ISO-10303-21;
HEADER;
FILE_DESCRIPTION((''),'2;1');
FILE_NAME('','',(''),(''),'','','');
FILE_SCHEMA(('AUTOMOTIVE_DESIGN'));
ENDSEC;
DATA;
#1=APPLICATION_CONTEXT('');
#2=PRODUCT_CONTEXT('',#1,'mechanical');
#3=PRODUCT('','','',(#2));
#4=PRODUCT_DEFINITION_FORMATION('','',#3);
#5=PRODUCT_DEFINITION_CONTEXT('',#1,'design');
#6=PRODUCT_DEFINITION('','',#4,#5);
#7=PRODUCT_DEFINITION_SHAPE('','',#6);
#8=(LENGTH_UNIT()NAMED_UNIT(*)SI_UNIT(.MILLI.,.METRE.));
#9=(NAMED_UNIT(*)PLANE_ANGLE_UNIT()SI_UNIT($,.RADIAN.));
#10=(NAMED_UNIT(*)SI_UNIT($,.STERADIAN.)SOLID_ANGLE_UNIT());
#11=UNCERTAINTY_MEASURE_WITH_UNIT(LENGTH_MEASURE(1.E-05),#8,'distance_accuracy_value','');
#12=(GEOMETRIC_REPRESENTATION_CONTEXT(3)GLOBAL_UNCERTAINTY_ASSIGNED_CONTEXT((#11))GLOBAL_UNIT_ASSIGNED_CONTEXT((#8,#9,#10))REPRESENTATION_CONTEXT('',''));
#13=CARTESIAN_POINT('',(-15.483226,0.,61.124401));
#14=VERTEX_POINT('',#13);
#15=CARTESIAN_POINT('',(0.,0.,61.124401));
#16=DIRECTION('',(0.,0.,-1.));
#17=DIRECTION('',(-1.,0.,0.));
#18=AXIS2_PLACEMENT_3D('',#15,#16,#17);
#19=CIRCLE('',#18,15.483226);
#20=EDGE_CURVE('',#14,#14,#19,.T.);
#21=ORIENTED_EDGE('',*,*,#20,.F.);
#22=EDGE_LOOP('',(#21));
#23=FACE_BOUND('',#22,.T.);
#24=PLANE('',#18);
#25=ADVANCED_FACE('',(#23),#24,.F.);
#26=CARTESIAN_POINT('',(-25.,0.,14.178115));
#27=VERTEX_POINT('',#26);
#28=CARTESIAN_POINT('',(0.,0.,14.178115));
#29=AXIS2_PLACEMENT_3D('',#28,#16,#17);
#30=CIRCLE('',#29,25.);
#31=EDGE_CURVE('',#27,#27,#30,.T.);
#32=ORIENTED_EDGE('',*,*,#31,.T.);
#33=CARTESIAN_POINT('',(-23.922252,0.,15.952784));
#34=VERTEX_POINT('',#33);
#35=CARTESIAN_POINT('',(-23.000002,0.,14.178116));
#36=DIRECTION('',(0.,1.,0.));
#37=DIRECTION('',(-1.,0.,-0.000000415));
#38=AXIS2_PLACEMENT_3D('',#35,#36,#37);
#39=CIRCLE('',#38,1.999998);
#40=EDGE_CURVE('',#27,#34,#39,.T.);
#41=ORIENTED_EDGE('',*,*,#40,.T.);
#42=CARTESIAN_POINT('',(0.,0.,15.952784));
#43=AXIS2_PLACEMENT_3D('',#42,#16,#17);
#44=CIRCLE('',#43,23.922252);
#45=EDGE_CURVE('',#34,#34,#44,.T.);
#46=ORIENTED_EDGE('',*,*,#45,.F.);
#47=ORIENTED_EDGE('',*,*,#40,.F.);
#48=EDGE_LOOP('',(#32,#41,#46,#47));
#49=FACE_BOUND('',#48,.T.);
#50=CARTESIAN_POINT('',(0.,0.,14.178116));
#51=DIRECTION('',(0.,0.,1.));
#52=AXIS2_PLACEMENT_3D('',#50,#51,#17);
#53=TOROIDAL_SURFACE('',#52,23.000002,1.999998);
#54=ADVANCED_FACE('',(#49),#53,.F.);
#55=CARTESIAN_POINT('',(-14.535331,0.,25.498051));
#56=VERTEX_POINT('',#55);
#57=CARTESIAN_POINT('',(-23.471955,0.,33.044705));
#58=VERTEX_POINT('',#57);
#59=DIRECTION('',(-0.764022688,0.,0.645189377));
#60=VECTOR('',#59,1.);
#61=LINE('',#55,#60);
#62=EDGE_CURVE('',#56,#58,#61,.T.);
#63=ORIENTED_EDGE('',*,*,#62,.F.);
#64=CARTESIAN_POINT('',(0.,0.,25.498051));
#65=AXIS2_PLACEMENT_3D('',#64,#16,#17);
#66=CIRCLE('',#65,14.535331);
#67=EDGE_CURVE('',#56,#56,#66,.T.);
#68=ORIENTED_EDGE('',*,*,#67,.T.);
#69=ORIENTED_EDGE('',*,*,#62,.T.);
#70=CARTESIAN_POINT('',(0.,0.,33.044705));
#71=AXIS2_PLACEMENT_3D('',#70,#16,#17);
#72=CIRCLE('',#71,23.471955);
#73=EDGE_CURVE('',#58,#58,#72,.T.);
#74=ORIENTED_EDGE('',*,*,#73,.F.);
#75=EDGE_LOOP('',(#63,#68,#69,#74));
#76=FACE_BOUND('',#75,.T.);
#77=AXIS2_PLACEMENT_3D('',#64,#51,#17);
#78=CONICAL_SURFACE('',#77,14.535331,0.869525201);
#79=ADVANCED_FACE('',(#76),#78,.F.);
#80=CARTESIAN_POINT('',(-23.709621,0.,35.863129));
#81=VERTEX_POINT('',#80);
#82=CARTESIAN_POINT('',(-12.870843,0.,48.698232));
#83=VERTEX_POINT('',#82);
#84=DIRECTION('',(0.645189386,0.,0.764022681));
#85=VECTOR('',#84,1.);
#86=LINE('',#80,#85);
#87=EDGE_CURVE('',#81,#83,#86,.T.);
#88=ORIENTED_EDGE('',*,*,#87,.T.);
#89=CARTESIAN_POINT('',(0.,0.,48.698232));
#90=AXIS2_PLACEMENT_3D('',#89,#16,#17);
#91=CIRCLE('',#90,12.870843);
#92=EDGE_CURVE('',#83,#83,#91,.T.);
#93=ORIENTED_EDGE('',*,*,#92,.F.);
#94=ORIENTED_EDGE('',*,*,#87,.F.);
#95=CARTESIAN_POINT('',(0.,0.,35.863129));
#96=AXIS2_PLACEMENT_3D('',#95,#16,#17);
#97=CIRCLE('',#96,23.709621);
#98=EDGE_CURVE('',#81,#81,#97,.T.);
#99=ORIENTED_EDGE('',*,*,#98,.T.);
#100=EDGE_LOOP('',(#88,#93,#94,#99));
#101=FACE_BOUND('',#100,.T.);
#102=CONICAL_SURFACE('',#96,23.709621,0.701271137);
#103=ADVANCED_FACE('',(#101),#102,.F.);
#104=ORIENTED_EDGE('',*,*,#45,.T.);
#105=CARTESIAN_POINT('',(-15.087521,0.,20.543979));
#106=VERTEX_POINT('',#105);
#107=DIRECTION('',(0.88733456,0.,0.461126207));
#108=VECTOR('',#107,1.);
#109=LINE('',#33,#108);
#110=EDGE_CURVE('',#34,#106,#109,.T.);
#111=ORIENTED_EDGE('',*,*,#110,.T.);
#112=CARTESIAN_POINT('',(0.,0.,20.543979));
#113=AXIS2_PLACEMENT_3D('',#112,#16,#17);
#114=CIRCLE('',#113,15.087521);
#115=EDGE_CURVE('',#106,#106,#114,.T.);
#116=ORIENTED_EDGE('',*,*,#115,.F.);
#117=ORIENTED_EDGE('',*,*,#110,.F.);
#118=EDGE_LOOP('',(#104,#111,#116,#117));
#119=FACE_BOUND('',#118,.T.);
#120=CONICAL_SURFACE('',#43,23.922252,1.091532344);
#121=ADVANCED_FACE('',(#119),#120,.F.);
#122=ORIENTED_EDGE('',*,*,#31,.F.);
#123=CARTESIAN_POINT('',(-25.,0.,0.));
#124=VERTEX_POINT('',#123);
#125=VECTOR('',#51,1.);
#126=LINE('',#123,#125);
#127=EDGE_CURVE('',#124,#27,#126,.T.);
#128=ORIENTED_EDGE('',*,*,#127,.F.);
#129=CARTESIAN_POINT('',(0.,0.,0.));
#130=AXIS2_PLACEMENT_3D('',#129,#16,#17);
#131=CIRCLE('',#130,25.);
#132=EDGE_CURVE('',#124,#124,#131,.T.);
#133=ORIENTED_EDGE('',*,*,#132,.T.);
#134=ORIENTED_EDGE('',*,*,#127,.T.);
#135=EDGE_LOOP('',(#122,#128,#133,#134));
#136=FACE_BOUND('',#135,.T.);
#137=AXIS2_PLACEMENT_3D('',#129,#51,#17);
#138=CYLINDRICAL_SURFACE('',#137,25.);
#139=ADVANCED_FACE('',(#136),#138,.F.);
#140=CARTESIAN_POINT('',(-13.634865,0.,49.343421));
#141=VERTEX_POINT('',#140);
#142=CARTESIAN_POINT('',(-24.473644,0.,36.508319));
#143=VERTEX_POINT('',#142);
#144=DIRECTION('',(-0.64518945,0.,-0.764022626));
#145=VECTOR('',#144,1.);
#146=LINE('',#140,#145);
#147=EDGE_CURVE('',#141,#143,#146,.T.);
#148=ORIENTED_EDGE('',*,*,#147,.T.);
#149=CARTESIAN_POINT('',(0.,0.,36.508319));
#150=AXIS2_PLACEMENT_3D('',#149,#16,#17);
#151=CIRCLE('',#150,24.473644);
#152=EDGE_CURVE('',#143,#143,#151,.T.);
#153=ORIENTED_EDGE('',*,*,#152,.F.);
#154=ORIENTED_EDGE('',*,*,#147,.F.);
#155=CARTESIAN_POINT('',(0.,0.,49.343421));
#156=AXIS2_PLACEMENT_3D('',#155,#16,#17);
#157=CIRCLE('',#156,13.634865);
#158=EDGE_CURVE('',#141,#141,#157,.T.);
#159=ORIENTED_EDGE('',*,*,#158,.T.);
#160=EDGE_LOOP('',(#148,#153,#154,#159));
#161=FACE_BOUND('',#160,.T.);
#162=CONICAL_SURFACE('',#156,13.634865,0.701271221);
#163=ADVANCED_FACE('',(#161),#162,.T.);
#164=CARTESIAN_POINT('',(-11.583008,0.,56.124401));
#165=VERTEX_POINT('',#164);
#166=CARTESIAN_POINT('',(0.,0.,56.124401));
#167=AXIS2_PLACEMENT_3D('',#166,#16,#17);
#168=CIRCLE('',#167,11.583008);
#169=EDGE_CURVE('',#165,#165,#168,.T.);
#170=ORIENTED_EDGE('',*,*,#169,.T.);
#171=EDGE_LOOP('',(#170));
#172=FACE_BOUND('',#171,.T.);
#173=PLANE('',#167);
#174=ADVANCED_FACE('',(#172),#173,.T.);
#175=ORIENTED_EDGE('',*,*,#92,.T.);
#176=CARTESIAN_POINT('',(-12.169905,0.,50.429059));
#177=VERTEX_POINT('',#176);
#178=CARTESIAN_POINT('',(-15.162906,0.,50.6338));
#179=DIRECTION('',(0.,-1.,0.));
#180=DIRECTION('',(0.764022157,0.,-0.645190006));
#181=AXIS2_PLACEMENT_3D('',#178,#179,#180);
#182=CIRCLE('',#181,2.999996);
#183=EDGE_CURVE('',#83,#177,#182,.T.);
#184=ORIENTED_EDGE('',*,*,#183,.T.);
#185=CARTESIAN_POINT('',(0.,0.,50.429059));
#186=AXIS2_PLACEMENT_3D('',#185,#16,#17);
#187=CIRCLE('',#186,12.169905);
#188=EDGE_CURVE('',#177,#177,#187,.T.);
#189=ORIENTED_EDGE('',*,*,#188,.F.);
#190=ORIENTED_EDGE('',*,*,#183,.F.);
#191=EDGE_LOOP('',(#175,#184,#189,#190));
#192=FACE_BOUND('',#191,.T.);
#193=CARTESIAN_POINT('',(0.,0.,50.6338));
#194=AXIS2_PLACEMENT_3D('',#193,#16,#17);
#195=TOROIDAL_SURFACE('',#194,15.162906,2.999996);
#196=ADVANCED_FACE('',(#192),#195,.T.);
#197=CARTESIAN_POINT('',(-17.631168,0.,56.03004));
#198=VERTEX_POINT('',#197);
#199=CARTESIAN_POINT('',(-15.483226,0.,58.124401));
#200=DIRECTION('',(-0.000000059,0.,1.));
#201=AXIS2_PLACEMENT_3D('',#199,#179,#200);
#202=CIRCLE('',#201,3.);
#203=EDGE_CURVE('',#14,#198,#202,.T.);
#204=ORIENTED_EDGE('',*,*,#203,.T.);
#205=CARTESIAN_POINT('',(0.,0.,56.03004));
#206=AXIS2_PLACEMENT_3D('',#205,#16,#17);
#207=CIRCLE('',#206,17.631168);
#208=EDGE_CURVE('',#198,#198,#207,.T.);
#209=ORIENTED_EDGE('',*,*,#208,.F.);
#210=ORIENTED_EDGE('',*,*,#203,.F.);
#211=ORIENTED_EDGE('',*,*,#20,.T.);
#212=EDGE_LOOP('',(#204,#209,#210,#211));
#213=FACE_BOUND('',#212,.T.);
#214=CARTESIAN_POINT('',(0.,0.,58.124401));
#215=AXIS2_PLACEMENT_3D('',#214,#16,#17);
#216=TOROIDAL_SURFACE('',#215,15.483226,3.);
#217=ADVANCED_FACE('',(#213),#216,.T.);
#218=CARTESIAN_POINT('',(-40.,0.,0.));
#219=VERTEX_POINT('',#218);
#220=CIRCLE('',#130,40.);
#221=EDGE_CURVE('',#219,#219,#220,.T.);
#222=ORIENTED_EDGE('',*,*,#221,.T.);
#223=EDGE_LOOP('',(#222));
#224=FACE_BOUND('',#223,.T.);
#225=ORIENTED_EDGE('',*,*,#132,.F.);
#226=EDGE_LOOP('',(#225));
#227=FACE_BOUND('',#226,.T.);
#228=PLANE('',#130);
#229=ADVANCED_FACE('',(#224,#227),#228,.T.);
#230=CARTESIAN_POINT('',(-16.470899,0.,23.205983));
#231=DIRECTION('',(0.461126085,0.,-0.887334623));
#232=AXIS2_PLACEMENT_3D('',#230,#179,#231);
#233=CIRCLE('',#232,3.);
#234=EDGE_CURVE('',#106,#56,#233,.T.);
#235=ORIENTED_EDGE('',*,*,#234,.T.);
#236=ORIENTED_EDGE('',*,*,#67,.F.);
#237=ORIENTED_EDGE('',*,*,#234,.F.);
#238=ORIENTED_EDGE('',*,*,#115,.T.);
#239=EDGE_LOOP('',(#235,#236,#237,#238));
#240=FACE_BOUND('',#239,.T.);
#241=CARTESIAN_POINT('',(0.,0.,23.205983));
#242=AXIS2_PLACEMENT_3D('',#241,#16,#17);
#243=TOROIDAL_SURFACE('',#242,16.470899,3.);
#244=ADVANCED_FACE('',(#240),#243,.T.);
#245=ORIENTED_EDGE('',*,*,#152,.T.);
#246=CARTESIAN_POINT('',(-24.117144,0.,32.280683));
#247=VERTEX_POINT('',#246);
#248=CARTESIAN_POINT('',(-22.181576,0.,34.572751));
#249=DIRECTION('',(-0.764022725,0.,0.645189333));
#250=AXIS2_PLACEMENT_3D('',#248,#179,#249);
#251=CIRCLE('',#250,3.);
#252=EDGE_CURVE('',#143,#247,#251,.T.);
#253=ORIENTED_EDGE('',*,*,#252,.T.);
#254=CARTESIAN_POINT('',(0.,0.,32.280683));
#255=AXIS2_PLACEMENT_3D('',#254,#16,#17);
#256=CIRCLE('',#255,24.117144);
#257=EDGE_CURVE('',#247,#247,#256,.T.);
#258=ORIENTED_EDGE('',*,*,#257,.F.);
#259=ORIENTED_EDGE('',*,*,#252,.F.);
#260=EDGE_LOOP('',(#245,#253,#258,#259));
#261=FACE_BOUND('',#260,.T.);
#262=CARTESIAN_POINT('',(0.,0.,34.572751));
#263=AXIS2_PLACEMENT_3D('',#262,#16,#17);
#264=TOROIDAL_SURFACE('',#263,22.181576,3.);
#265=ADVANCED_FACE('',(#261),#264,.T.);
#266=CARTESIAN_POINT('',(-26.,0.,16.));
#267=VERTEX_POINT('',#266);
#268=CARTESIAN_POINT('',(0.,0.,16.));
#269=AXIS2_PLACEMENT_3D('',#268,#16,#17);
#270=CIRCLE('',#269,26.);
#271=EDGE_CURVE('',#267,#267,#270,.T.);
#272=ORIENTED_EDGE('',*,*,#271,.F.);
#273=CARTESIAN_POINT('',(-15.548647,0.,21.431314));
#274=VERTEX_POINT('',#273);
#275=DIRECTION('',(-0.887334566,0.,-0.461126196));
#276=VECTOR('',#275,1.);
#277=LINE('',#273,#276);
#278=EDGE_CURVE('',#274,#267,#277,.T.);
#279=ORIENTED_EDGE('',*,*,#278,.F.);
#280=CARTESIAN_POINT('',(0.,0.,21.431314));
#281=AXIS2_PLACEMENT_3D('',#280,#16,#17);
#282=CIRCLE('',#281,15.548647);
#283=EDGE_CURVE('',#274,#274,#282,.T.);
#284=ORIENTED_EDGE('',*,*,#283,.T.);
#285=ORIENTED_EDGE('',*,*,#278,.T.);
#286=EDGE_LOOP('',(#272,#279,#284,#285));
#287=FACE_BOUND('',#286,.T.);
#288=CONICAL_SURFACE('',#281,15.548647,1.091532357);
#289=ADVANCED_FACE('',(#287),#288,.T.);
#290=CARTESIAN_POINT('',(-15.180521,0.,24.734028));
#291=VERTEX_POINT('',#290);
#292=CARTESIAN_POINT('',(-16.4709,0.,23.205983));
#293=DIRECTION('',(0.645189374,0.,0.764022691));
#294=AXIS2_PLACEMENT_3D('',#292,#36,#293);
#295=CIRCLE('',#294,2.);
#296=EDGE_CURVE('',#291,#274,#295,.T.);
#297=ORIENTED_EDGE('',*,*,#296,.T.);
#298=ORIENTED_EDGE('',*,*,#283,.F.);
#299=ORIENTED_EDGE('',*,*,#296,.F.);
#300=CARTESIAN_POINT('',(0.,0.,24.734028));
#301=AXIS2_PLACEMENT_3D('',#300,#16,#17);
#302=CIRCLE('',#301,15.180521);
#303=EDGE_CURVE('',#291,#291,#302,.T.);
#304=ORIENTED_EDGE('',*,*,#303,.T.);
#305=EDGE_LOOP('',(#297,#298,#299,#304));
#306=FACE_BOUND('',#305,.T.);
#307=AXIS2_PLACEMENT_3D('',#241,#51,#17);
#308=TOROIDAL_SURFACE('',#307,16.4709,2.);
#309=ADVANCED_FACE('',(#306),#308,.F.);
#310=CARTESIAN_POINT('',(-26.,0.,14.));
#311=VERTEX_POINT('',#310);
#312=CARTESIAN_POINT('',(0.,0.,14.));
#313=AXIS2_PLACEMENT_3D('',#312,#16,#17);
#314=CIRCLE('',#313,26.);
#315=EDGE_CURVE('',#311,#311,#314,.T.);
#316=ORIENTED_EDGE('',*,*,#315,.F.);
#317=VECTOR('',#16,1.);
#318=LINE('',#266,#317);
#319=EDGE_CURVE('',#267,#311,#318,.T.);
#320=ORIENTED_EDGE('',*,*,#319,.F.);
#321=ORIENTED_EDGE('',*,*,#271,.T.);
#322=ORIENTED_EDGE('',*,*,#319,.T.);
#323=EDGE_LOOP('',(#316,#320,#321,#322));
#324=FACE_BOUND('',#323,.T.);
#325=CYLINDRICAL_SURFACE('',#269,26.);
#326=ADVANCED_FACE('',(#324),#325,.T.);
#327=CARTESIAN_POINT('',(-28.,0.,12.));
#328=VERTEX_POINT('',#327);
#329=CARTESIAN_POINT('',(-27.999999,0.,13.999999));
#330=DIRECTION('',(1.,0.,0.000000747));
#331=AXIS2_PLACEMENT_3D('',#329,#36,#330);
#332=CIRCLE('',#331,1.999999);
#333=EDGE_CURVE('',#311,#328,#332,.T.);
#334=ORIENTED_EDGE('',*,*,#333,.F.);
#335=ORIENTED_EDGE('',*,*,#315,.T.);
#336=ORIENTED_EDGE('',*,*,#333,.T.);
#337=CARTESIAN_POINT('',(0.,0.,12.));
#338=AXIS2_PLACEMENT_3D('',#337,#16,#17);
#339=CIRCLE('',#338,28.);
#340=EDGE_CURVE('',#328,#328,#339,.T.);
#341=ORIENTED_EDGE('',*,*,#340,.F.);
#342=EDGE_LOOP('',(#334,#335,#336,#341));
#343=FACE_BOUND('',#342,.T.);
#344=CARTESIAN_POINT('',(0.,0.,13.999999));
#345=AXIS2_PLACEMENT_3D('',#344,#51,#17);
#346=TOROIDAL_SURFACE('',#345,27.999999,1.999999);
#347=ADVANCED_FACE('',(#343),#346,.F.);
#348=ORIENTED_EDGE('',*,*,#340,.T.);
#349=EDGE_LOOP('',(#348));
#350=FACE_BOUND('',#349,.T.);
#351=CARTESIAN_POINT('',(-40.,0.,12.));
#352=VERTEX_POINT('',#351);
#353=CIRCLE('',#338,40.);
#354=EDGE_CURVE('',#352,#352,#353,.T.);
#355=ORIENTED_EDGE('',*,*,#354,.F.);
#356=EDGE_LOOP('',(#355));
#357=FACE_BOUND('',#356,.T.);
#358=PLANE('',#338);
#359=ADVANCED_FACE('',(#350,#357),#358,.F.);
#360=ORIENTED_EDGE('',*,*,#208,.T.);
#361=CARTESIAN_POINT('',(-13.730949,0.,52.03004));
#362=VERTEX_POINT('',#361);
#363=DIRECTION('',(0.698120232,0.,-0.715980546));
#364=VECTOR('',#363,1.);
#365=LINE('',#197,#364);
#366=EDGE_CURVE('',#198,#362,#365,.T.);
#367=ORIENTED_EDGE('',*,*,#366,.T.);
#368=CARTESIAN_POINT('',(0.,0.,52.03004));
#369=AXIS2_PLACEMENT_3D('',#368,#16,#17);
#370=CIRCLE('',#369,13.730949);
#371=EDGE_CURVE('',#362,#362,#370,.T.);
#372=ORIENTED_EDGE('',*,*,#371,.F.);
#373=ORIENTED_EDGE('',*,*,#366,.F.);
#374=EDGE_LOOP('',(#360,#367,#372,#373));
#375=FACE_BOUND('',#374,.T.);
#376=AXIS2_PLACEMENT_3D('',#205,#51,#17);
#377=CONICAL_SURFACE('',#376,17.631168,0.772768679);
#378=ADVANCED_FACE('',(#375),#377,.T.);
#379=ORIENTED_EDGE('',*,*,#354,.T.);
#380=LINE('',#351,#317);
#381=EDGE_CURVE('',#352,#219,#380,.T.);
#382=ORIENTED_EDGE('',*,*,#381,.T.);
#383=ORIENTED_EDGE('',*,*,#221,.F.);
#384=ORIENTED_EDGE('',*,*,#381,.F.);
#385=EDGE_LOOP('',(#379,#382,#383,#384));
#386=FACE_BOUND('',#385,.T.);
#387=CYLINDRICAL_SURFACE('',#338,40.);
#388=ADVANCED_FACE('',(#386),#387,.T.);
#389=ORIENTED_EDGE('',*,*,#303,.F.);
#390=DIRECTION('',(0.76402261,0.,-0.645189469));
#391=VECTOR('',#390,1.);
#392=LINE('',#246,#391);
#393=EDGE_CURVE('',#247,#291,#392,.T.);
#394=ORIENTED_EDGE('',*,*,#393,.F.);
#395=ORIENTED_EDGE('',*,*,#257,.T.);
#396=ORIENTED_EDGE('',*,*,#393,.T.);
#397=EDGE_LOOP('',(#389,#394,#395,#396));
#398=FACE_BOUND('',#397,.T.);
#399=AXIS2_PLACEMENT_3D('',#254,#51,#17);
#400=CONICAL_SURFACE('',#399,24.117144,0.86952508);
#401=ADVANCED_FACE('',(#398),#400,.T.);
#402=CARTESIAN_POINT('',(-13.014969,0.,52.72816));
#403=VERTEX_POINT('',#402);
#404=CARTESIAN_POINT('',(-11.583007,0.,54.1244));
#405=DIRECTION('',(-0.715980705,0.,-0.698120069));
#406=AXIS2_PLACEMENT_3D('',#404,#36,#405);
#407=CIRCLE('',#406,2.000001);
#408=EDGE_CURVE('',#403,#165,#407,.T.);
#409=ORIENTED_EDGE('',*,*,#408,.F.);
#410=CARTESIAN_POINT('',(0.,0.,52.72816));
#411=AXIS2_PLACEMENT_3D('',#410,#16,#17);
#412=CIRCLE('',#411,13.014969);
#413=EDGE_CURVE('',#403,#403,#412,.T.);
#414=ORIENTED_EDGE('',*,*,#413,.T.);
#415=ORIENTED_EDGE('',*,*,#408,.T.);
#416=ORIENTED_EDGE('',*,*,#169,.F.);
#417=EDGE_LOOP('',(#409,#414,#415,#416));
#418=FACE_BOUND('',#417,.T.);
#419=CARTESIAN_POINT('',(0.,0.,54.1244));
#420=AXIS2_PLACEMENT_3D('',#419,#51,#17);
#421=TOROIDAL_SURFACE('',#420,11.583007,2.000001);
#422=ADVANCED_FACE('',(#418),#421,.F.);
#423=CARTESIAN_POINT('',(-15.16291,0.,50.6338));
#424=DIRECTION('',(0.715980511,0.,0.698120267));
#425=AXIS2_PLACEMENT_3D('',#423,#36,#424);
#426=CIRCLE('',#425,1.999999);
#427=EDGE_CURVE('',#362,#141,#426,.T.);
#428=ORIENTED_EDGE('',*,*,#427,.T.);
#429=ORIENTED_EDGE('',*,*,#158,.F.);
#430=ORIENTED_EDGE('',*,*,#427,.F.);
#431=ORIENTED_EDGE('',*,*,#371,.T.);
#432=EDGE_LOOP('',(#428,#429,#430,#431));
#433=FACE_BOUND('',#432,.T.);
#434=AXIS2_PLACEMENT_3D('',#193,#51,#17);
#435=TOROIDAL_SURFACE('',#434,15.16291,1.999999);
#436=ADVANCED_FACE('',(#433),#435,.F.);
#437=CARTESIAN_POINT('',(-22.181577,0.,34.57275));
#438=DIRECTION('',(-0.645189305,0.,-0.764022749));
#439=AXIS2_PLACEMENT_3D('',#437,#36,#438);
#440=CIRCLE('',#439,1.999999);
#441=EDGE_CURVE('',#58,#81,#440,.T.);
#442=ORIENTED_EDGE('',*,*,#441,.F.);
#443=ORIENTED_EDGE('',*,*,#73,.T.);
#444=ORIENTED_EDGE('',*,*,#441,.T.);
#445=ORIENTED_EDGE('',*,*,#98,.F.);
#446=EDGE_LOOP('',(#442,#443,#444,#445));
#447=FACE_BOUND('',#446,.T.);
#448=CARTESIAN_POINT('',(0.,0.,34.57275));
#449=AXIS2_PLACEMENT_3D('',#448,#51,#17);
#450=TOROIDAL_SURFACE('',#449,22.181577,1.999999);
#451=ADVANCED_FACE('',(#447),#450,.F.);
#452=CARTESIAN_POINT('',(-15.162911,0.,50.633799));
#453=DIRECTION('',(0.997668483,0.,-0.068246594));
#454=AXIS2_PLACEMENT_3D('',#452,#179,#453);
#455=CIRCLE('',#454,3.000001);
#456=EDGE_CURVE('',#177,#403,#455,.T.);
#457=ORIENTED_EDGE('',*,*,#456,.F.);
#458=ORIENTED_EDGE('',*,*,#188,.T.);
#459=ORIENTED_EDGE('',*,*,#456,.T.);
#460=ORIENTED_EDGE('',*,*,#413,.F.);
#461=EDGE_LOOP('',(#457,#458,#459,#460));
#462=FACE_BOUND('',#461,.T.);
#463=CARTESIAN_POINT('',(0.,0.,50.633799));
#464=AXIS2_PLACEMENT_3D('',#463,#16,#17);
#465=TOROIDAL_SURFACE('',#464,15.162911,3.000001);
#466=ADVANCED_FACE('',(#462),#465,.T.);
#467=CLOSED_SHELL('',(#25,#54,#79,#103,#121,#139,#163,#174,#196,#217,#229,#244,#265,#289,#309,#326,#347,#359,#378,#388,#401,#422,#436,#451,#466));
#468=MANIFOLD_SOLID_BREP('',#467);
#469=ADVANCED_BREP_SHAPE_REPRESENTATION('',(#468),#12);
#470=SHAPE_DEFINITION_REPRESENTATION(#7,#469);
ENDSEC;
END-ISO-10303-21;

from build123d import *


with BuildPart() as f1:
    # F0 (on Front) → F1 (revolve)
    with BuildSketch(Plane.XZ):
        with BuildLine():
            Line((-40, 12), (-40, 0))
            Line((-40, 0), (-25, 0))
            Line((-25, 0), (-25, 14.178115))
            ThreePointArc((-25, 14.178115), (-24.70946, 15.216261), (-23.922252, 15.952784))
            Line((-23.922252, 15.952784), (-15.087521, 20.543979))
            ThreePointArc((-15.087521, 20.543979), (-13.489363, 22.873655), (-14.535331, 25.498051))
            Line((-14.535331, 25.498051), (-23.471955, 33.044705))
            ThreePointArc((-23.471955, 33.044705), (-24.174503, 34.404695), (-23.709621, 35.863129))
            Line((-23.709621, 35.863129), (-12.870843, 48.698232))
            ThreePointArc((-12.870843, 48.698232), (-12.382274, 49.507718), (-12.169905, 50.429059))
            Line((-12.169905, 50.429059), (-13.730949, 52.03004))
            ThreePointArc((-13.730949, 52.03004), (-13.164188, 50.705282), (-13.634865, 49.343421))
            Line((-13.634865, 49.343421), (-24.473644, 36.508319))
            ThreePointArc((-24.473644, 36.508319), (-25.170966, 34.320667), (-24.117144, 32.280683))
            Line((-24.117144, 32.280683), (-15.180521, 24.734028))
            ThreePointArc((-15.180521, 24.734028), (-14.483209, 22.984431), (-15.548647, 21.431314))
            Line((-15.548647, 21.431314), (-26, 16))
            Line((-26, 16), (-26, 14))
            ThreePointArc((-26, 14), (-26.585786, 12.585786), (-28, 12))
            Line((-28, 12), (-40, 12))
        make_face()
        with BuildLine():
            Line((-13.730949, 52.03004), (-12.169905, 50.429059))
            ThreePointArc((-12.169905, 50.429059), (-12.347098, 51.668787), (-13.014969, 52.72816))
            ThreePointArc((-13.014969, 52.72816), (-13.425897, 54.90142), (-11.583008, 56.124401))
            Line((-11.583008, 56.124401), (0, 56.124401))
            Line((0, 56.124401), (0, 61.124401))
            Line((0, 61.124401), (-15.483226, 61.124401))
            ThreePointArc((-15.483226, 61.124401), (-18.24756, 59.28993), (-17.631168, 56.03004))
            Line((-17.631168, 56.03004), (-13.730949, 52.03004))
        make_face()
    revolve(axis=Axis((0, 0, 4.206827), (0, 0, -1)))


solid = f1.part
